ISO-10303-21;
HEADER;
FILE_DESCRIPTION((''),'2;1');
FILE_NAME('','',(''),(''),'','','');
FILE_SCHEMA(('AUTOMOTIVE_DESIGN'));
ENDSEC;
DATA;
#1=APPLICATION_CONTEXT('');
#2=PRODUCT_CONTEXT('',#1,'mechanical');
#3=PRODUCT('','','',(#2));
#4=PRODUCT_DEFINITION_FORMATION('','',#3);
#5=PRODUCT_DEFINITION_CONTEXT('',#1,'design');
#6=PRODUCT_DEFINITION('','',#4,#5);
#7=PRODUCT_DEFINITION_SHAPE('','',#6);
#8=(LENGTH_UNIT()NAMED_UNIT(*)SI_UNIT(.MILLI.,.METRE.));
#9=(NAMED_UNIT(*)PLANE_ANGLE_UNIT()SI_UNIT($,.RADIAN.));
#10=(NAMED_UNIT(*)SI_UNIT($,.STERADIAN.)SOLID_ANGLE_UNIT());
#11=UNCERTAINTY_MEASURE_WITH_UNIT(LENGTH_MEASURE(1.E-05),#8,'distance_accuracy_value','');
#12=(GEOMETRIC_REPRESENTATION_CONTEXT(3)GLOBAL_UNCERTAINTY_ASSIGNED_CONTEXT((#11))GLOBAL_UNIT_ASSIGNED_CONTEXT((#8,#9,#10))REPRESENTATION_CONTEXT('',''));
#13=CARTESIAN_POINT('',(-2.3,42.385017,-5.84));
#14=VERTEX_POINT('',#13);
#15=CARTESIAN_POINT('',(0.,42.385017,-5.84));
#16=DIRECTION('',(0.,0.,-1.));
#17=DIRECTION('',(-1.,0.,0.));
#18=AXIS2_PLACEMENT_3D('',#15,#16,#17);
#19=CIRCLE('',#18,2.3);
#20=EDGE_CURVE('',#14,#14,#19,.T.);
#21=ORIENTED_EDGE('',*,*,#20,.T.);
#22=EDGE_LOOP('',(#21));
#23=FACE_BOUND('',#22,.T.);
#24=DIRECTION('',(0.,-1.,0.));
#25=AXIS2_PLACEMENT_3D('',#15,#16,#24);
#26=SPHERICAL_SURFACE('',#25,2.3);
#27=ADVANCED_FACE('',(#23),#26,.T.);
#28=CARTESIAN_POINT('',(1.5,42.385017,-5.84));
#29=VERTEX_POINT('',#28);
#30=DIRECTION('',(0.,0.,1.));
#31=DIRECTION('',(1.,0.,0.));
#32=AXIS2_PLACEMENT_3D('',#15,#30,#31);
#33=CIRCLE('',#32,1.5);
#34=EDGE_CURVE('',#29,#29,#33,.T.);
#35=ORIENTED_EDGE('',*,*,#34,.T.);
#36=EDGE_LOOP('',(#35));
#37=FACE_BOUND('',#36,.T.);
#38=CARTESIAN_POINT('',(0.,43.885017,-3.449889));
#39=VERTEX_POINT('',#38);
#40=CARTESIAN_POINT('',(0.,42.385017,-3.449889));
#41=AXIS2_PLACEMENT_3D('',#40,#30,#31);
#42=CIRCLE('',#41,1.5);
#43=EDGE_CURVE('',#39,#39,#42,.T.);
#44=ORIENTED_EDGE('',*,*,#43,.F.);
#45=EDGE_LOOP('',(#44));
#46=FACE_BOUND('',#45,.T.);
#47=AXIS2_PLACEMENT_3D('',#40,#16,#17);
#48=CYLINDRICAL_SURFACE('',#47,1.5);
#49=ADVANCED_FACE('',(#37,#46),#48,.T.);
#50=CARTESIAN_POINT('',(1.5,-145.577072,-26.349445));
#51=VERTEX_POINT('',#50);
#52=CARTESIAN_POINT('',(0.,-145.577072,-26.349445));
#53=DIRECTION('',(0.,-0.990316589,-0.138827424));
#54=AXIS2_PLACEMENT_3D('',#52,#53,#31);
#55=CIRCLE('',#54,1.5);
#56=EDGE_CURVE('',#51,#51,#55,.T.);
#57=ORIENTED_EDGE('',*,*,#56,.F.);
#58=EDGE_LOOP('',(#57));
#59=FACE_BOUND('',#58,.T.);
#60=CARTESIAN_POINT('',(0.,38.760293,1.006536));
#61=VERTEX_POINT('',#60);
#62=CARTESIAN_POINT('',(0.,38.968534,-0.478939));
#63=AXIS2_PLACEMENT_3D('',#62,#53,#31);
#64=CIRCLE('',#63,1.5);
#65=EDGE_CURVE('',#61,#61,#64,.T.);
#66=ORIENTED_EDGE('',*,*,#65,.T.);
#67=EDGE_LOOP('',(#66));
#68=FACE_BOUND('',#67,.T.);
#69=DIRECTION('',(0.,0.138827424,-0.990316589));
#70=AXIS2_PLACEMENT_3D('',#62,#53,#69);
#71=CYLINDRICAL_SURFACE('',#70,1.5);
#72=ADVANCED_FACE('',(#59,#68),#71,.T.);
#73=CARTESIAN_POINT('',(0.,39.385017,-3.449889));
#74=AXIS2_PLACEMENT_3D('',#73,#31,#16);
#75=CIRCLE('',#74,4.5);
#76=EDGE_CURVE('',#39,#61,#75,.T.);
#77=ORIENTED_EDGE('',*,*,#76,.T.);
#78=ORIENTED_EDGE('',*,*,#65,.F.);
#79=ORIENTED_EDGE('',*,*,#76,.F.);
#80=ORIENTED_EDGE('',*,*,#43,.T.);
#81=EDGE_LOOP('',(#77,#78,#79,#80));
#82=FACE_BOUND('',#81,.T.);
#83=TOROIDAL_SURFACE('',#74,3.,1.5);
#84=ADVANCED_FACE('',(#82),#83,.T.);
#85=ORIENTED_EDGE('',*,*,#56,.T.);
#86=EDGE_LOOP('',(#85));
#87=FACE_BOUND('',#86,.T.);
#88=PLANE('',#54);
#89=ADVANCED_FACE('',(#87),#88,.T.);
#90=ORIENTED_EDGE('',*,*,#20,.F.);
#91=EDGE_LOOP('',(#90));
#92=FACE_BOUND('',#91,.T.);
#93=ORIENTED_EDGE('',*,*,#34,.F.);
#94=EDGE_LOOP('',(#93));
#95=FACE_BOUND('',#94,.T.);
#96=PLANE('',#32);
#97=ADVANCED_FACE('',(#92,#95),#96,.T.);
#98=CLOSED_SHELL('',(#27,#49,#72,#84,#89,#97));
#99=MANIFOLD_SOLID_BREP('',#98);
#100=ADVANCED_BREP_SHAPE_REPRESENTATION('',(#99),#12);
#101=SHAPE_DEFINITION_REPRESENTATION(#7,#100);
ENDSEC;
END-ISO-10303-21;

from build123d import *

# Parameters (mm, degrees)
SKETCH2_R = 1.5


with BuildPart() as part:
    # Sweep1: sweep along a path in Sketch1
    with BuildLine(Plane(origin=(0, 0, 0), x_dir=(0, 0, -1), z_dir=(1, 0, 0))) as sweep1_path:
        Line((5.84, 42.385016649), (3.449888964, 42.385016649))
        ThreePointArc((3.449888964, 42.385016649), (1.186103769, 41.353588871), (0.478939197, 38.968534378))
        Line((0.478939197, 38.968534378), (26.349445023, -145.57707194))
    # Sketch2 → Sweep1 (sweep)
    with BuildSketch(Plane.XY.offset(-5.84)):
        with Locations((0, 42.385016649)):
            Circle(SKETCH2_R)
    sweep(path=sweep1_path.line)

    # Sketch3 → Revolve1 (revolve)
    with BuildSketch(Plane(origin=(0, 0, 0), x_dir=(0, 0, -1), z_dir=(1, 0, 0))):
        with BuildLine():
            Line((5.84, 42.385016649), (5.84, 44.685016649))
            ThreePointArc((5.84, 44.685016649), (7.466345597, 44.011362246), (8.14, 42.385016649))
            Line((8.14, 42.385016649), (5.84, 42.385016649))
        make_face()
    revolve(axis=Axis((0, 42.385016649, -8.14), (0, 0, 1)))


solid = part.part
